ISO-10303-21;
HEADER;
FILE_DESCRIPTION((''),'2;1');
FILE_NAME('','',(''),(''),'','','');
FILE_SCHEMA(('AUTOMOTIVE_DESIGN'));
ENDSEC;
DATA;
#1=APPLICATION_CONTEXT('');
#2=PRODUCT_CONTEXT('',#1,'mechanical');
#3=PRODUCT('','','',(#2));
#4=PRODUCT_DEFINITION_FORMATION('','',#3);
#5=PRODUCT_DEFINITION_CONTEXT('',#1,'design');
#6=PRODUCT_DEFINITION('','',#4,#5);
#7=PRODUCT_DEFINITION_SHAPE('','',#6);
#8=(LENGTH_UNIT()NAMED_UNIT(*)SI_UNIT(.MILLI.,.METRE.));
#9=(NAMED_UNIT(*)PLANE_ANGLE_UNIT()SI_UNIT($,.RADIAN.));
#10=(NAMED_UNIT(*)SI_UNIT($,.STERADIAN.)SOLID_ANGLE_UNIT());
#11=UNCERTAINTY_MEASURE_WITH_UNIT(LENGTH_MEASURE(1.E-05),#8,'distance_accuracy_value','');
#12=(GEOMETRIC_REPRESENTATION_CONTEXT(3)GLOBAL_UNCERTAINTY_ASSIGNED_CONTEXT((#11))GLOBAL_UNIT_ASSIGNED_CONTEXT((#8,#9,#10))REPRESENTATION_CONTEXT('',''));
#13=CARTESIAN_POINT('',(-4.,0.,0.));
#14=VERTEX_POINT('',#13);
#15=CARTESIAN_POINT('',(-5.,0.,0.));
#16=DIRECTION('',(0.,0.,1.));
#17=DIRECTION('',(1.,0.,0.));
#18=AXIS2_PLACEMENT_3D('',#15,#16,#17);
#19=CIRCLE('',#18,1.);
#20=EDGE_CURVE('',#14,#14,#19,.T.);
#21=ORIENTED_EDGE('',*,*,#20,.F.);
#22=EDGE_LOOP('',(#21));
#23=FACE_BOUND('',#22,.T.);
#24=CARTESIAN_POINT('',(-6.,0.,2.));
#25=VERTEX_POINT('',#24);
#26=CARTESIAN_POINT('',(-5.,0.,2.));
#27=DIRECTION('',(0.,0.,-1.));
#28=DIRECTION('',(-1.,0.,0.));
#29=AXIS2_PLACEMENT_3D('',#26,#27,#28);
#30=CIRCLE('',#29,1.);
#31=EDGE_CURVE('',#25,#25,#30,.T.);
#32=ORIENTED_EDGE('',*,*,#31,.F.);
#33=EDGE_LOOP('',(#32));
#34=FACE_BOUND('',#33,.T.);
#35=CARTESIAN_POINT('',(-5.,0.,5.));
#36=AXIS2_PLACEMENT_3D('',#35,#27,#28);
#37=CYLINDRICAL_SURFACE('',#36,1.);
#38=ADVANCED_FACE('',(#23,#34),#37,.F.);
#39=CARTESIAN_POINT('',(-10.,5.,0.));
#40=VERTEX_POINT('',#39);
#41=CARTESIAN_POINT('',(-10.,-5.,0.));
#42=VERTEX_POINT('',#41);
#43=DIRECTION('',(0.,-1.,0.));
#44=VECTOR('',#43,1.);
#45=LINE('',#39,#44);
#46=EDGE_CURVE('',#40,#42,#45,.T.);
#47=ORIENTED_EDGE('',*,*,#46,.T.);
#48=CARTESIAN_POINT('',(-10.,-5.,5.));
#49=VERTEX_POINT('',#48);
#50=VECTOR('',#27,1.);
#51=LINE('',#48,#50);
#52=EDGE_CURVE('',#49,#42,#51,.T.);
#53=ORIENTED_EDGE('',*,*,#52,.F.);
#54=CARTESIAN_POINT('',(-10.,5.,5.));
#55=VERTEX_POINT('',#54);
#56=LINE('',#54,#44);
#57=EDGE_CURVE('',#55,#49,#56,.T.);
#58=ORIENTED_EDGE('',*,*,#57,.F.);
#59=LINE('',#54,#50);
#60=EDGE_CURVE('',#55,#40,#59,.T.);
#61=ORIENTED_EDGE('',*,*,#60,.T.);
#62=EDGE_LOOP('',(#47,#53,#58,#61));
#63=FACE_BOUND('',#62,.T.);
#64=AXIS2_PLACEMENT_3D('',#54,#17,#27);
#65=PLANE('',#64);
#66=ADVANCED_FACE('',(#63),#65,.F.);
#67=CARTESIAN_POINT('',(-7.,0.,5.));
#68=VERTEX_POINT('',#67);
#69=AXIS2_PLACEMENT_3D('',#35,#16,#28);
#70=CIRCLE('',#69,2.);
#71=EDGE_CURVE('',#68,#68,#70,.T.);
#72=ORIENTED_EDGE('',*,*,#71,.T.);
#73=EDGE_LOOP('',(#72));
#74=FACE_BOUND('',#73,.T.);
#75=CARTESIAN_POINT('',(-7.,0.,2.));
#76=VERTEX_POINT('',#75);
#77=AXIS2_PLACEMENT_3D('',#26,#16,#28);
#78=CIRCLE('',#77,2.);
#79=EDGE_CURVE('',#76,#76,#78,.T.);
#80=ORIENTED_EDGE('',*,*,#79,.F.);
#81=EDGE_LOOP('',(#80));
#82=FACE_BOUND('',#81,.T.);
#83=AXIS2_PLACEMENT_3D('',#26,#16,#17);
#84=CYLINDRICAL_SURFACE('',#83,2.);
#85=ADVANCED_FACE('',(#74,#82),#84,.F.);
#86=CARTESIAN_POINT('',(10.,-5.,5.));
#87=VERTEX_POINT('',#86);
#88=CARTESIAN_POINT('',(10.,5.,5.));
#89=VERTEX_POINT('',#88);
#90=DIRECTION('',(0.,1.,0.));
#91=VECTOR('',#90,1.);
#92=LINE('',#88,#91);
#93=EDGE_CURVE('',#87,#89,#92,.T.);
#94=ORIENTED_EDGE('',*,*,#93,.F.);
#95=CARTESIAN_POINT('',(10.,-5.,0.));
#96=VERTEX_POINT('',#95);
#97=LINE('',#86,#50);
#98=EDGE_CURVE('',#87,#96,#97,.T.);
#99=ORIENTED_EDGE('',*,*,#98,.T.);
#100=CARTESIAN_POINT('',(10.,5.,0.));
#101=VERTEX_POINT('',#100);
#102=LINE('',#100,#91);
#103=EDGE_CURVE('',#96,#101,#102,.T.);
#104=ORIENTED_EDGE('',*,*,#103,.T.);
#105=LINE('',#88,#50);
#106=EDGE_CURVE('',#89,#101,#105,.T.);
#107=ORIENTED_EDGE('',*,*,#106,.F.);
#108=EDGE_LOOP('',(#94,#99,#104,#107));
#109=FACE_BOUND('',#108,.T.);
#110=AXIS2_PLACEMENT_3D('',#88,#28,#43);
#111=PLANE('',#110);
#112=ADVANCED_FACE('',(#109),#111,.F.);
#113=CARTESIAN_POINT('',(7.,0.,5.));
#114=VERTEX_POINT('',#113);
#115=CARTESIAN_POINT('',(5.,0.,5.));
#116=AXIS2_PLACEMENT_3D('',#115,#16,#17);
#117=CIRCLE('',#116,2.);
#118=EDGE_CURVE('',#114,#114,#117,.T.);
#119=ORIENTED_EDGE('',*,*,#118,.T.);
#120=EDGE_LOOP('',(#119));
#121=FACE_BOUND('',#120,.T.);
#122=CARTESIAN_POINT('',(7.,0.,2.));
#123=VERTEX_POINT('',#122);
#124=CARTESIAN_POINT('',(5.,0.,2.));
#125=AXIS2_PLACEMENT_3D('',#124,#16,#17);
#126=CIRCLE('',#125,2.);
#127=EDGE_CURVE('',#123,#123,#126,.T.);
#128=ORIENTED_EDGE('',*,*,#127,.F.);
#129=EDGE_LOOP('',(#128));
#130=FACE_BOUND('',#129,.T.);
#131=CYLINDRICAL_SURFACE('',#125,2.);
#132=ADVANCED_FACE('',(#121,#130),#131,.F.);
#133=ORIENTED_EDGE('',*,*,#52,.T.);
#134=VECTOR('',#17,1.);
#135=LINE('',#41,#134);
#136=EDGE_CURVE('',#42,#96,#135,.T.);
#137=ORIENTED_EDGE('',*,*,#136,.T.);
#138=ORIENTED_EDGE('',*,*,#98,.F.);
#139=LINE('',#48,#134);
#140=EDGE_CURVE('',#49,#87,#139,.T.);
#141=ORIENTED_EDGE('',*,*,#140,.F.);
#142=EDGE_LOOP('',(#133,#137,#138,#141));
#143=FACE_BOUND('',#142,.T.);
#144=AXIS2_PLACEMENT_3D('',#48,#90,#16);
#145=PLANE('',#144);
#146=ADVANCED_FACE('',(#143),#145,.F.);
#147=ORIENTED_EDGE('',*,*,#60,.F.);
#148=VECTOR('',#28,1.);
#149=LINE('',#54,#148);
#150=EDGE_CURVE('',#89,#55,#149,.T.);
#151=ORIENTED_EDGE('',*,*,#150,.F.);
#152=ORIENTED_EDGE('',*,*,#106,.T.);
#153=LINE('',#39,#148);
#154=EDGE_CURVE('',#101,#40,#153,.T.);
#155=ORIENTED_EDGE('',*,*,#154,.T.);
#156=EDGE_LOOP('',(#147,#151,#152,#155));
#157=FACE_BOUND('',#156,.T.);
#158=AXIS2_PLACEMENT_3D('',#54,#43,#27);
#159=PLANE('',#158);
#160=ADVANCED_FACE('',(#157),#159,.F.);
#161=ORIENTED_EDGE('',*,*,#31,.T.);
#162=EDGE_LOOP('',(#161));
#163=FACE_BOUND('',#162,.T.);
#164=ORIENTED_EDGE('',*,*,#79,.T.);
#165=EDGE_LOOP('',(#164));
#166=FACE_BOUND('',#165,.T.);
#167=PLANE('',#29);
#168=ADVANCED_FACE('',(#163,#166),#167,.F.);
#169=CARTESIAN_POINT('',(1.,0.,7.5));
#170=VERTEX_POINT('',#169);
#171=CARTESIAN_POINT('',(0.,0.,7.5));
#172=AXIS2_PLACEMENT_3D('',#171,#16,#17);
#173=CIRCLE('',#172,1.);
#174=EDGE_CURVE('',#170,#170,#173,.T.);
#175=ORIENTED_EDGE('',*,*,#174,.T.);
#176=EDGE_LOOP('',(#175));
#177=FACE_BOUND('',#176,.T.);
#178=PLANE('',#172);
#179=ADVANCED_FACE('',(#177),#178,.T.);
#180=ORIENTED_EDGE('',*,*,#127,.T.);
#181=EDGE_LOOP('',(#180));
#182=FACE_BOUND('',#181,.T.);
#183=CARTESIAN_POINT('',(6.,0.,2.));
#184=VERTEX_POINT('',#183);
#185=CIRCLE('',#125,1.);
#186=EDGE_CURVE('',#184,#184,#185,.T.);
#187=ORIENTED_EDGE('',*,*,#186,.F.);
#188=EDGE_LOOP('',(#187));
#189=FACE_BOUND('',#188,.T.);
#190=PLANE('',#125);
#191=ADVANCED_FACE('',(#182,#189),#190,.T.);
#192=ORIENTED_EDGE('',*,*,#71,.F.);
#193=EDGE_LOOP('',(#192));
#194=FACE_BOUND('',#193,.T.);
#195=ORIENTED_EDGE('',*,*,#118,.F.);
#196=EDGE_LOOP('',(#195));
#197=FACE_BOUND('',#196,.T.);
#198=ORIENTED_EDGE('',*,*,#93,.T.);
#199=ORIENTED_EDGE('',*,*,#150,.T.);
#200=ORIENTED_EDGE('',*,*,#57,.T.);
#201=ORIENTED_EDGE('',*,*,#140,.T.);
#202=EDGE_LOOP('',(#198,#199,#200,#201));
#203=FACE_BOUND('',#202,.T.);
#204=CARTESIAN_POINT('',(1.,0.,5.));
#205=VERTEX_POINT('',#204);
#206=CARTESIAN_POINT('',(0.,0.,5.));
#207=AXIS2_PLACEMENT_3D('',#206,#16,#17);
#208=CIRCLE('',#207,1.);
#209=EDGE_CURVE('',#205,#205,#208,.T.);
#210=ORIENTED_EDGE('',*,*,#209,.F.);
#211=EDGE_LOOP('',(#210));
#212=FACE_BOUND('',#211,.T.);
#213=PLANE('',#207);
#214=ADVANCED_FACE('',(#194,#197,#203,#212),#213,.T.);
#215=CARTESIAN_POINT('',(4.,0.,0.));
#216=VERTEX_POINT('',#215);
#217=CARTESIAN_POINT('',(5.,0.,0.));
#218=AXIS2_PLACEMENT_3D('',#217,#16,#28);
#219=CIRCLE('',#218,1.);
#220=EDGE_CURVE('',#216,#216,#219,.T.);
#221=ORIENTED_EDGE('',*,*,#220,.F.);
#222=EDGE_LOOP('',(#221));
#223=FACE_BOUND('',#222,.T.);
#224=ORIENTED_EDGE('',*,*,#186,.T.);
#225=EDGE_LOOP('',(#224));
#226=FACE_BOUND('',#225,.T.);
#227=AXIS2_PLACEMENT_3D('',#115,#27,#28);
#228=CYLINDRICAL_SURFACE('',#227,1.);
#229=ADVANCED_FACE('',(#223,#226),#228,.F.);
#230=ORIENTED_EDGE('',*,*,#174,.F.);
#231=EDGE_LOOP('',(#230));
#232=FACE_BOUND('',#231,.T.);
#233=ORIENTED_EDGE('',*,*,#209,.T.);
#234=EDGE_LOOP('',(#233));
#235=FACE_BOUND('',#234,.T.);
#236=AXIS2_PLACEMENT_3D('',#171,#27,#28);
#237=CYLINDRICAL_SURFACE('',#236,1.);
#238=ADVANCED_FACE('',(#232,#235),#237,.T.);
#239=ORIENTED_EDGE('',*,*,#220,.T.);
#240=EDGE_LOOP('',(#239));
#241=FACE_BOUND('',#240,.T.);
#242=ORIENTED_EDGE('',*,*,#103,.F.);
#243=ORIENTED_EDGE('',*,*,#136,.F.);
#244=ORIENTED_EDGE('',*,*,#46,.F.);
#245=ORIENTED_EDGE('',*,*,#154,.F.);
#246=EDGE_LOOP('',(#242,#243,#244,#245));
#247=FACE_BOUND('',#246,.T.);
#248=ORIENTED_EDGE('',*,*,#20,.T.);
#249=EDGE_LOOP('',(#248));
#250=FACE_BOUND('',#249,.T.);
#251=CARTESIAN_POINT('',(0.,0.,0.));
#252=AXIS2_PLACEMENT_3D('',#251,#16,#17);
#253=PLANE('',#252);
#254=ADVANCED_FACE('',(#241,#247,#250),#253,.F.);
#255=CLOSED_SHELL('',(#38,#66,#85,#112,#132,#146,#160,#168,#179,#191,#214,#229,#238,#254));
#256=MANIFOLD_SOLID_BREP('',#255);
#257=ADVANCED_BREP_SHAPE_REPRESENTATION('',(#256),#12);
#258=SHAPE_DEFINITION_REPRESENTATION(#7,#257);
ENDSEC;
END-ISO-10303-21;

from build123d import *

# Parameters (mm, degrees)
SKETCH_1_W          = 20
SKETCH_1_H          = 10
SKETCH_1_R          = 1
EXTRUDE_1_DEPTH     = 5
SKETCH_2_R          = 1
EXTRUDE_2_DEPTH     = 2.5
SKETCH_4_R          = 2
CUT_EXTRUDE_2_DEPTH = 3


with BuildPart() as part:
    # 草图1 → 凸台-拉伸1 (new body)
    with BuildSketch(Plane.XY):
        Rectangle(SKETCH_1_W, SKETCH_1_H)
        with Locations((-5, 0)):
            Circle(SKETCH_1_R, mode=Mode.SUBTRACT)
        with Locations((5, 0)):
            Circle(SKETCH_1_R, mode=Mode.SUBTRACT)
    extrude(amount=EXTRUDE_1_DEPTH)

    # 草图2 → 凸台-拉伸2 (add)
    with BuildSketch(Plane.XY.offset(5)):
        Circle(SKETCH_2_R)
    extrude(amount=EXTRUDE_2_DEPTH)

    # 草图4 → 切除-拉伸2 (cut)
    with BuildSketch(Plane.XY.offset(5)):
        with Locations((5, 0)):
            Circle(SKETCH_4_R)
        with Locations((-5, 0)):
            Circle(SKETCH_4_R)
    extrude(amount=-CUT_EXTRUDE_2_DEPTH, mode=Mode.SUBTRACT)


solid = part.part
